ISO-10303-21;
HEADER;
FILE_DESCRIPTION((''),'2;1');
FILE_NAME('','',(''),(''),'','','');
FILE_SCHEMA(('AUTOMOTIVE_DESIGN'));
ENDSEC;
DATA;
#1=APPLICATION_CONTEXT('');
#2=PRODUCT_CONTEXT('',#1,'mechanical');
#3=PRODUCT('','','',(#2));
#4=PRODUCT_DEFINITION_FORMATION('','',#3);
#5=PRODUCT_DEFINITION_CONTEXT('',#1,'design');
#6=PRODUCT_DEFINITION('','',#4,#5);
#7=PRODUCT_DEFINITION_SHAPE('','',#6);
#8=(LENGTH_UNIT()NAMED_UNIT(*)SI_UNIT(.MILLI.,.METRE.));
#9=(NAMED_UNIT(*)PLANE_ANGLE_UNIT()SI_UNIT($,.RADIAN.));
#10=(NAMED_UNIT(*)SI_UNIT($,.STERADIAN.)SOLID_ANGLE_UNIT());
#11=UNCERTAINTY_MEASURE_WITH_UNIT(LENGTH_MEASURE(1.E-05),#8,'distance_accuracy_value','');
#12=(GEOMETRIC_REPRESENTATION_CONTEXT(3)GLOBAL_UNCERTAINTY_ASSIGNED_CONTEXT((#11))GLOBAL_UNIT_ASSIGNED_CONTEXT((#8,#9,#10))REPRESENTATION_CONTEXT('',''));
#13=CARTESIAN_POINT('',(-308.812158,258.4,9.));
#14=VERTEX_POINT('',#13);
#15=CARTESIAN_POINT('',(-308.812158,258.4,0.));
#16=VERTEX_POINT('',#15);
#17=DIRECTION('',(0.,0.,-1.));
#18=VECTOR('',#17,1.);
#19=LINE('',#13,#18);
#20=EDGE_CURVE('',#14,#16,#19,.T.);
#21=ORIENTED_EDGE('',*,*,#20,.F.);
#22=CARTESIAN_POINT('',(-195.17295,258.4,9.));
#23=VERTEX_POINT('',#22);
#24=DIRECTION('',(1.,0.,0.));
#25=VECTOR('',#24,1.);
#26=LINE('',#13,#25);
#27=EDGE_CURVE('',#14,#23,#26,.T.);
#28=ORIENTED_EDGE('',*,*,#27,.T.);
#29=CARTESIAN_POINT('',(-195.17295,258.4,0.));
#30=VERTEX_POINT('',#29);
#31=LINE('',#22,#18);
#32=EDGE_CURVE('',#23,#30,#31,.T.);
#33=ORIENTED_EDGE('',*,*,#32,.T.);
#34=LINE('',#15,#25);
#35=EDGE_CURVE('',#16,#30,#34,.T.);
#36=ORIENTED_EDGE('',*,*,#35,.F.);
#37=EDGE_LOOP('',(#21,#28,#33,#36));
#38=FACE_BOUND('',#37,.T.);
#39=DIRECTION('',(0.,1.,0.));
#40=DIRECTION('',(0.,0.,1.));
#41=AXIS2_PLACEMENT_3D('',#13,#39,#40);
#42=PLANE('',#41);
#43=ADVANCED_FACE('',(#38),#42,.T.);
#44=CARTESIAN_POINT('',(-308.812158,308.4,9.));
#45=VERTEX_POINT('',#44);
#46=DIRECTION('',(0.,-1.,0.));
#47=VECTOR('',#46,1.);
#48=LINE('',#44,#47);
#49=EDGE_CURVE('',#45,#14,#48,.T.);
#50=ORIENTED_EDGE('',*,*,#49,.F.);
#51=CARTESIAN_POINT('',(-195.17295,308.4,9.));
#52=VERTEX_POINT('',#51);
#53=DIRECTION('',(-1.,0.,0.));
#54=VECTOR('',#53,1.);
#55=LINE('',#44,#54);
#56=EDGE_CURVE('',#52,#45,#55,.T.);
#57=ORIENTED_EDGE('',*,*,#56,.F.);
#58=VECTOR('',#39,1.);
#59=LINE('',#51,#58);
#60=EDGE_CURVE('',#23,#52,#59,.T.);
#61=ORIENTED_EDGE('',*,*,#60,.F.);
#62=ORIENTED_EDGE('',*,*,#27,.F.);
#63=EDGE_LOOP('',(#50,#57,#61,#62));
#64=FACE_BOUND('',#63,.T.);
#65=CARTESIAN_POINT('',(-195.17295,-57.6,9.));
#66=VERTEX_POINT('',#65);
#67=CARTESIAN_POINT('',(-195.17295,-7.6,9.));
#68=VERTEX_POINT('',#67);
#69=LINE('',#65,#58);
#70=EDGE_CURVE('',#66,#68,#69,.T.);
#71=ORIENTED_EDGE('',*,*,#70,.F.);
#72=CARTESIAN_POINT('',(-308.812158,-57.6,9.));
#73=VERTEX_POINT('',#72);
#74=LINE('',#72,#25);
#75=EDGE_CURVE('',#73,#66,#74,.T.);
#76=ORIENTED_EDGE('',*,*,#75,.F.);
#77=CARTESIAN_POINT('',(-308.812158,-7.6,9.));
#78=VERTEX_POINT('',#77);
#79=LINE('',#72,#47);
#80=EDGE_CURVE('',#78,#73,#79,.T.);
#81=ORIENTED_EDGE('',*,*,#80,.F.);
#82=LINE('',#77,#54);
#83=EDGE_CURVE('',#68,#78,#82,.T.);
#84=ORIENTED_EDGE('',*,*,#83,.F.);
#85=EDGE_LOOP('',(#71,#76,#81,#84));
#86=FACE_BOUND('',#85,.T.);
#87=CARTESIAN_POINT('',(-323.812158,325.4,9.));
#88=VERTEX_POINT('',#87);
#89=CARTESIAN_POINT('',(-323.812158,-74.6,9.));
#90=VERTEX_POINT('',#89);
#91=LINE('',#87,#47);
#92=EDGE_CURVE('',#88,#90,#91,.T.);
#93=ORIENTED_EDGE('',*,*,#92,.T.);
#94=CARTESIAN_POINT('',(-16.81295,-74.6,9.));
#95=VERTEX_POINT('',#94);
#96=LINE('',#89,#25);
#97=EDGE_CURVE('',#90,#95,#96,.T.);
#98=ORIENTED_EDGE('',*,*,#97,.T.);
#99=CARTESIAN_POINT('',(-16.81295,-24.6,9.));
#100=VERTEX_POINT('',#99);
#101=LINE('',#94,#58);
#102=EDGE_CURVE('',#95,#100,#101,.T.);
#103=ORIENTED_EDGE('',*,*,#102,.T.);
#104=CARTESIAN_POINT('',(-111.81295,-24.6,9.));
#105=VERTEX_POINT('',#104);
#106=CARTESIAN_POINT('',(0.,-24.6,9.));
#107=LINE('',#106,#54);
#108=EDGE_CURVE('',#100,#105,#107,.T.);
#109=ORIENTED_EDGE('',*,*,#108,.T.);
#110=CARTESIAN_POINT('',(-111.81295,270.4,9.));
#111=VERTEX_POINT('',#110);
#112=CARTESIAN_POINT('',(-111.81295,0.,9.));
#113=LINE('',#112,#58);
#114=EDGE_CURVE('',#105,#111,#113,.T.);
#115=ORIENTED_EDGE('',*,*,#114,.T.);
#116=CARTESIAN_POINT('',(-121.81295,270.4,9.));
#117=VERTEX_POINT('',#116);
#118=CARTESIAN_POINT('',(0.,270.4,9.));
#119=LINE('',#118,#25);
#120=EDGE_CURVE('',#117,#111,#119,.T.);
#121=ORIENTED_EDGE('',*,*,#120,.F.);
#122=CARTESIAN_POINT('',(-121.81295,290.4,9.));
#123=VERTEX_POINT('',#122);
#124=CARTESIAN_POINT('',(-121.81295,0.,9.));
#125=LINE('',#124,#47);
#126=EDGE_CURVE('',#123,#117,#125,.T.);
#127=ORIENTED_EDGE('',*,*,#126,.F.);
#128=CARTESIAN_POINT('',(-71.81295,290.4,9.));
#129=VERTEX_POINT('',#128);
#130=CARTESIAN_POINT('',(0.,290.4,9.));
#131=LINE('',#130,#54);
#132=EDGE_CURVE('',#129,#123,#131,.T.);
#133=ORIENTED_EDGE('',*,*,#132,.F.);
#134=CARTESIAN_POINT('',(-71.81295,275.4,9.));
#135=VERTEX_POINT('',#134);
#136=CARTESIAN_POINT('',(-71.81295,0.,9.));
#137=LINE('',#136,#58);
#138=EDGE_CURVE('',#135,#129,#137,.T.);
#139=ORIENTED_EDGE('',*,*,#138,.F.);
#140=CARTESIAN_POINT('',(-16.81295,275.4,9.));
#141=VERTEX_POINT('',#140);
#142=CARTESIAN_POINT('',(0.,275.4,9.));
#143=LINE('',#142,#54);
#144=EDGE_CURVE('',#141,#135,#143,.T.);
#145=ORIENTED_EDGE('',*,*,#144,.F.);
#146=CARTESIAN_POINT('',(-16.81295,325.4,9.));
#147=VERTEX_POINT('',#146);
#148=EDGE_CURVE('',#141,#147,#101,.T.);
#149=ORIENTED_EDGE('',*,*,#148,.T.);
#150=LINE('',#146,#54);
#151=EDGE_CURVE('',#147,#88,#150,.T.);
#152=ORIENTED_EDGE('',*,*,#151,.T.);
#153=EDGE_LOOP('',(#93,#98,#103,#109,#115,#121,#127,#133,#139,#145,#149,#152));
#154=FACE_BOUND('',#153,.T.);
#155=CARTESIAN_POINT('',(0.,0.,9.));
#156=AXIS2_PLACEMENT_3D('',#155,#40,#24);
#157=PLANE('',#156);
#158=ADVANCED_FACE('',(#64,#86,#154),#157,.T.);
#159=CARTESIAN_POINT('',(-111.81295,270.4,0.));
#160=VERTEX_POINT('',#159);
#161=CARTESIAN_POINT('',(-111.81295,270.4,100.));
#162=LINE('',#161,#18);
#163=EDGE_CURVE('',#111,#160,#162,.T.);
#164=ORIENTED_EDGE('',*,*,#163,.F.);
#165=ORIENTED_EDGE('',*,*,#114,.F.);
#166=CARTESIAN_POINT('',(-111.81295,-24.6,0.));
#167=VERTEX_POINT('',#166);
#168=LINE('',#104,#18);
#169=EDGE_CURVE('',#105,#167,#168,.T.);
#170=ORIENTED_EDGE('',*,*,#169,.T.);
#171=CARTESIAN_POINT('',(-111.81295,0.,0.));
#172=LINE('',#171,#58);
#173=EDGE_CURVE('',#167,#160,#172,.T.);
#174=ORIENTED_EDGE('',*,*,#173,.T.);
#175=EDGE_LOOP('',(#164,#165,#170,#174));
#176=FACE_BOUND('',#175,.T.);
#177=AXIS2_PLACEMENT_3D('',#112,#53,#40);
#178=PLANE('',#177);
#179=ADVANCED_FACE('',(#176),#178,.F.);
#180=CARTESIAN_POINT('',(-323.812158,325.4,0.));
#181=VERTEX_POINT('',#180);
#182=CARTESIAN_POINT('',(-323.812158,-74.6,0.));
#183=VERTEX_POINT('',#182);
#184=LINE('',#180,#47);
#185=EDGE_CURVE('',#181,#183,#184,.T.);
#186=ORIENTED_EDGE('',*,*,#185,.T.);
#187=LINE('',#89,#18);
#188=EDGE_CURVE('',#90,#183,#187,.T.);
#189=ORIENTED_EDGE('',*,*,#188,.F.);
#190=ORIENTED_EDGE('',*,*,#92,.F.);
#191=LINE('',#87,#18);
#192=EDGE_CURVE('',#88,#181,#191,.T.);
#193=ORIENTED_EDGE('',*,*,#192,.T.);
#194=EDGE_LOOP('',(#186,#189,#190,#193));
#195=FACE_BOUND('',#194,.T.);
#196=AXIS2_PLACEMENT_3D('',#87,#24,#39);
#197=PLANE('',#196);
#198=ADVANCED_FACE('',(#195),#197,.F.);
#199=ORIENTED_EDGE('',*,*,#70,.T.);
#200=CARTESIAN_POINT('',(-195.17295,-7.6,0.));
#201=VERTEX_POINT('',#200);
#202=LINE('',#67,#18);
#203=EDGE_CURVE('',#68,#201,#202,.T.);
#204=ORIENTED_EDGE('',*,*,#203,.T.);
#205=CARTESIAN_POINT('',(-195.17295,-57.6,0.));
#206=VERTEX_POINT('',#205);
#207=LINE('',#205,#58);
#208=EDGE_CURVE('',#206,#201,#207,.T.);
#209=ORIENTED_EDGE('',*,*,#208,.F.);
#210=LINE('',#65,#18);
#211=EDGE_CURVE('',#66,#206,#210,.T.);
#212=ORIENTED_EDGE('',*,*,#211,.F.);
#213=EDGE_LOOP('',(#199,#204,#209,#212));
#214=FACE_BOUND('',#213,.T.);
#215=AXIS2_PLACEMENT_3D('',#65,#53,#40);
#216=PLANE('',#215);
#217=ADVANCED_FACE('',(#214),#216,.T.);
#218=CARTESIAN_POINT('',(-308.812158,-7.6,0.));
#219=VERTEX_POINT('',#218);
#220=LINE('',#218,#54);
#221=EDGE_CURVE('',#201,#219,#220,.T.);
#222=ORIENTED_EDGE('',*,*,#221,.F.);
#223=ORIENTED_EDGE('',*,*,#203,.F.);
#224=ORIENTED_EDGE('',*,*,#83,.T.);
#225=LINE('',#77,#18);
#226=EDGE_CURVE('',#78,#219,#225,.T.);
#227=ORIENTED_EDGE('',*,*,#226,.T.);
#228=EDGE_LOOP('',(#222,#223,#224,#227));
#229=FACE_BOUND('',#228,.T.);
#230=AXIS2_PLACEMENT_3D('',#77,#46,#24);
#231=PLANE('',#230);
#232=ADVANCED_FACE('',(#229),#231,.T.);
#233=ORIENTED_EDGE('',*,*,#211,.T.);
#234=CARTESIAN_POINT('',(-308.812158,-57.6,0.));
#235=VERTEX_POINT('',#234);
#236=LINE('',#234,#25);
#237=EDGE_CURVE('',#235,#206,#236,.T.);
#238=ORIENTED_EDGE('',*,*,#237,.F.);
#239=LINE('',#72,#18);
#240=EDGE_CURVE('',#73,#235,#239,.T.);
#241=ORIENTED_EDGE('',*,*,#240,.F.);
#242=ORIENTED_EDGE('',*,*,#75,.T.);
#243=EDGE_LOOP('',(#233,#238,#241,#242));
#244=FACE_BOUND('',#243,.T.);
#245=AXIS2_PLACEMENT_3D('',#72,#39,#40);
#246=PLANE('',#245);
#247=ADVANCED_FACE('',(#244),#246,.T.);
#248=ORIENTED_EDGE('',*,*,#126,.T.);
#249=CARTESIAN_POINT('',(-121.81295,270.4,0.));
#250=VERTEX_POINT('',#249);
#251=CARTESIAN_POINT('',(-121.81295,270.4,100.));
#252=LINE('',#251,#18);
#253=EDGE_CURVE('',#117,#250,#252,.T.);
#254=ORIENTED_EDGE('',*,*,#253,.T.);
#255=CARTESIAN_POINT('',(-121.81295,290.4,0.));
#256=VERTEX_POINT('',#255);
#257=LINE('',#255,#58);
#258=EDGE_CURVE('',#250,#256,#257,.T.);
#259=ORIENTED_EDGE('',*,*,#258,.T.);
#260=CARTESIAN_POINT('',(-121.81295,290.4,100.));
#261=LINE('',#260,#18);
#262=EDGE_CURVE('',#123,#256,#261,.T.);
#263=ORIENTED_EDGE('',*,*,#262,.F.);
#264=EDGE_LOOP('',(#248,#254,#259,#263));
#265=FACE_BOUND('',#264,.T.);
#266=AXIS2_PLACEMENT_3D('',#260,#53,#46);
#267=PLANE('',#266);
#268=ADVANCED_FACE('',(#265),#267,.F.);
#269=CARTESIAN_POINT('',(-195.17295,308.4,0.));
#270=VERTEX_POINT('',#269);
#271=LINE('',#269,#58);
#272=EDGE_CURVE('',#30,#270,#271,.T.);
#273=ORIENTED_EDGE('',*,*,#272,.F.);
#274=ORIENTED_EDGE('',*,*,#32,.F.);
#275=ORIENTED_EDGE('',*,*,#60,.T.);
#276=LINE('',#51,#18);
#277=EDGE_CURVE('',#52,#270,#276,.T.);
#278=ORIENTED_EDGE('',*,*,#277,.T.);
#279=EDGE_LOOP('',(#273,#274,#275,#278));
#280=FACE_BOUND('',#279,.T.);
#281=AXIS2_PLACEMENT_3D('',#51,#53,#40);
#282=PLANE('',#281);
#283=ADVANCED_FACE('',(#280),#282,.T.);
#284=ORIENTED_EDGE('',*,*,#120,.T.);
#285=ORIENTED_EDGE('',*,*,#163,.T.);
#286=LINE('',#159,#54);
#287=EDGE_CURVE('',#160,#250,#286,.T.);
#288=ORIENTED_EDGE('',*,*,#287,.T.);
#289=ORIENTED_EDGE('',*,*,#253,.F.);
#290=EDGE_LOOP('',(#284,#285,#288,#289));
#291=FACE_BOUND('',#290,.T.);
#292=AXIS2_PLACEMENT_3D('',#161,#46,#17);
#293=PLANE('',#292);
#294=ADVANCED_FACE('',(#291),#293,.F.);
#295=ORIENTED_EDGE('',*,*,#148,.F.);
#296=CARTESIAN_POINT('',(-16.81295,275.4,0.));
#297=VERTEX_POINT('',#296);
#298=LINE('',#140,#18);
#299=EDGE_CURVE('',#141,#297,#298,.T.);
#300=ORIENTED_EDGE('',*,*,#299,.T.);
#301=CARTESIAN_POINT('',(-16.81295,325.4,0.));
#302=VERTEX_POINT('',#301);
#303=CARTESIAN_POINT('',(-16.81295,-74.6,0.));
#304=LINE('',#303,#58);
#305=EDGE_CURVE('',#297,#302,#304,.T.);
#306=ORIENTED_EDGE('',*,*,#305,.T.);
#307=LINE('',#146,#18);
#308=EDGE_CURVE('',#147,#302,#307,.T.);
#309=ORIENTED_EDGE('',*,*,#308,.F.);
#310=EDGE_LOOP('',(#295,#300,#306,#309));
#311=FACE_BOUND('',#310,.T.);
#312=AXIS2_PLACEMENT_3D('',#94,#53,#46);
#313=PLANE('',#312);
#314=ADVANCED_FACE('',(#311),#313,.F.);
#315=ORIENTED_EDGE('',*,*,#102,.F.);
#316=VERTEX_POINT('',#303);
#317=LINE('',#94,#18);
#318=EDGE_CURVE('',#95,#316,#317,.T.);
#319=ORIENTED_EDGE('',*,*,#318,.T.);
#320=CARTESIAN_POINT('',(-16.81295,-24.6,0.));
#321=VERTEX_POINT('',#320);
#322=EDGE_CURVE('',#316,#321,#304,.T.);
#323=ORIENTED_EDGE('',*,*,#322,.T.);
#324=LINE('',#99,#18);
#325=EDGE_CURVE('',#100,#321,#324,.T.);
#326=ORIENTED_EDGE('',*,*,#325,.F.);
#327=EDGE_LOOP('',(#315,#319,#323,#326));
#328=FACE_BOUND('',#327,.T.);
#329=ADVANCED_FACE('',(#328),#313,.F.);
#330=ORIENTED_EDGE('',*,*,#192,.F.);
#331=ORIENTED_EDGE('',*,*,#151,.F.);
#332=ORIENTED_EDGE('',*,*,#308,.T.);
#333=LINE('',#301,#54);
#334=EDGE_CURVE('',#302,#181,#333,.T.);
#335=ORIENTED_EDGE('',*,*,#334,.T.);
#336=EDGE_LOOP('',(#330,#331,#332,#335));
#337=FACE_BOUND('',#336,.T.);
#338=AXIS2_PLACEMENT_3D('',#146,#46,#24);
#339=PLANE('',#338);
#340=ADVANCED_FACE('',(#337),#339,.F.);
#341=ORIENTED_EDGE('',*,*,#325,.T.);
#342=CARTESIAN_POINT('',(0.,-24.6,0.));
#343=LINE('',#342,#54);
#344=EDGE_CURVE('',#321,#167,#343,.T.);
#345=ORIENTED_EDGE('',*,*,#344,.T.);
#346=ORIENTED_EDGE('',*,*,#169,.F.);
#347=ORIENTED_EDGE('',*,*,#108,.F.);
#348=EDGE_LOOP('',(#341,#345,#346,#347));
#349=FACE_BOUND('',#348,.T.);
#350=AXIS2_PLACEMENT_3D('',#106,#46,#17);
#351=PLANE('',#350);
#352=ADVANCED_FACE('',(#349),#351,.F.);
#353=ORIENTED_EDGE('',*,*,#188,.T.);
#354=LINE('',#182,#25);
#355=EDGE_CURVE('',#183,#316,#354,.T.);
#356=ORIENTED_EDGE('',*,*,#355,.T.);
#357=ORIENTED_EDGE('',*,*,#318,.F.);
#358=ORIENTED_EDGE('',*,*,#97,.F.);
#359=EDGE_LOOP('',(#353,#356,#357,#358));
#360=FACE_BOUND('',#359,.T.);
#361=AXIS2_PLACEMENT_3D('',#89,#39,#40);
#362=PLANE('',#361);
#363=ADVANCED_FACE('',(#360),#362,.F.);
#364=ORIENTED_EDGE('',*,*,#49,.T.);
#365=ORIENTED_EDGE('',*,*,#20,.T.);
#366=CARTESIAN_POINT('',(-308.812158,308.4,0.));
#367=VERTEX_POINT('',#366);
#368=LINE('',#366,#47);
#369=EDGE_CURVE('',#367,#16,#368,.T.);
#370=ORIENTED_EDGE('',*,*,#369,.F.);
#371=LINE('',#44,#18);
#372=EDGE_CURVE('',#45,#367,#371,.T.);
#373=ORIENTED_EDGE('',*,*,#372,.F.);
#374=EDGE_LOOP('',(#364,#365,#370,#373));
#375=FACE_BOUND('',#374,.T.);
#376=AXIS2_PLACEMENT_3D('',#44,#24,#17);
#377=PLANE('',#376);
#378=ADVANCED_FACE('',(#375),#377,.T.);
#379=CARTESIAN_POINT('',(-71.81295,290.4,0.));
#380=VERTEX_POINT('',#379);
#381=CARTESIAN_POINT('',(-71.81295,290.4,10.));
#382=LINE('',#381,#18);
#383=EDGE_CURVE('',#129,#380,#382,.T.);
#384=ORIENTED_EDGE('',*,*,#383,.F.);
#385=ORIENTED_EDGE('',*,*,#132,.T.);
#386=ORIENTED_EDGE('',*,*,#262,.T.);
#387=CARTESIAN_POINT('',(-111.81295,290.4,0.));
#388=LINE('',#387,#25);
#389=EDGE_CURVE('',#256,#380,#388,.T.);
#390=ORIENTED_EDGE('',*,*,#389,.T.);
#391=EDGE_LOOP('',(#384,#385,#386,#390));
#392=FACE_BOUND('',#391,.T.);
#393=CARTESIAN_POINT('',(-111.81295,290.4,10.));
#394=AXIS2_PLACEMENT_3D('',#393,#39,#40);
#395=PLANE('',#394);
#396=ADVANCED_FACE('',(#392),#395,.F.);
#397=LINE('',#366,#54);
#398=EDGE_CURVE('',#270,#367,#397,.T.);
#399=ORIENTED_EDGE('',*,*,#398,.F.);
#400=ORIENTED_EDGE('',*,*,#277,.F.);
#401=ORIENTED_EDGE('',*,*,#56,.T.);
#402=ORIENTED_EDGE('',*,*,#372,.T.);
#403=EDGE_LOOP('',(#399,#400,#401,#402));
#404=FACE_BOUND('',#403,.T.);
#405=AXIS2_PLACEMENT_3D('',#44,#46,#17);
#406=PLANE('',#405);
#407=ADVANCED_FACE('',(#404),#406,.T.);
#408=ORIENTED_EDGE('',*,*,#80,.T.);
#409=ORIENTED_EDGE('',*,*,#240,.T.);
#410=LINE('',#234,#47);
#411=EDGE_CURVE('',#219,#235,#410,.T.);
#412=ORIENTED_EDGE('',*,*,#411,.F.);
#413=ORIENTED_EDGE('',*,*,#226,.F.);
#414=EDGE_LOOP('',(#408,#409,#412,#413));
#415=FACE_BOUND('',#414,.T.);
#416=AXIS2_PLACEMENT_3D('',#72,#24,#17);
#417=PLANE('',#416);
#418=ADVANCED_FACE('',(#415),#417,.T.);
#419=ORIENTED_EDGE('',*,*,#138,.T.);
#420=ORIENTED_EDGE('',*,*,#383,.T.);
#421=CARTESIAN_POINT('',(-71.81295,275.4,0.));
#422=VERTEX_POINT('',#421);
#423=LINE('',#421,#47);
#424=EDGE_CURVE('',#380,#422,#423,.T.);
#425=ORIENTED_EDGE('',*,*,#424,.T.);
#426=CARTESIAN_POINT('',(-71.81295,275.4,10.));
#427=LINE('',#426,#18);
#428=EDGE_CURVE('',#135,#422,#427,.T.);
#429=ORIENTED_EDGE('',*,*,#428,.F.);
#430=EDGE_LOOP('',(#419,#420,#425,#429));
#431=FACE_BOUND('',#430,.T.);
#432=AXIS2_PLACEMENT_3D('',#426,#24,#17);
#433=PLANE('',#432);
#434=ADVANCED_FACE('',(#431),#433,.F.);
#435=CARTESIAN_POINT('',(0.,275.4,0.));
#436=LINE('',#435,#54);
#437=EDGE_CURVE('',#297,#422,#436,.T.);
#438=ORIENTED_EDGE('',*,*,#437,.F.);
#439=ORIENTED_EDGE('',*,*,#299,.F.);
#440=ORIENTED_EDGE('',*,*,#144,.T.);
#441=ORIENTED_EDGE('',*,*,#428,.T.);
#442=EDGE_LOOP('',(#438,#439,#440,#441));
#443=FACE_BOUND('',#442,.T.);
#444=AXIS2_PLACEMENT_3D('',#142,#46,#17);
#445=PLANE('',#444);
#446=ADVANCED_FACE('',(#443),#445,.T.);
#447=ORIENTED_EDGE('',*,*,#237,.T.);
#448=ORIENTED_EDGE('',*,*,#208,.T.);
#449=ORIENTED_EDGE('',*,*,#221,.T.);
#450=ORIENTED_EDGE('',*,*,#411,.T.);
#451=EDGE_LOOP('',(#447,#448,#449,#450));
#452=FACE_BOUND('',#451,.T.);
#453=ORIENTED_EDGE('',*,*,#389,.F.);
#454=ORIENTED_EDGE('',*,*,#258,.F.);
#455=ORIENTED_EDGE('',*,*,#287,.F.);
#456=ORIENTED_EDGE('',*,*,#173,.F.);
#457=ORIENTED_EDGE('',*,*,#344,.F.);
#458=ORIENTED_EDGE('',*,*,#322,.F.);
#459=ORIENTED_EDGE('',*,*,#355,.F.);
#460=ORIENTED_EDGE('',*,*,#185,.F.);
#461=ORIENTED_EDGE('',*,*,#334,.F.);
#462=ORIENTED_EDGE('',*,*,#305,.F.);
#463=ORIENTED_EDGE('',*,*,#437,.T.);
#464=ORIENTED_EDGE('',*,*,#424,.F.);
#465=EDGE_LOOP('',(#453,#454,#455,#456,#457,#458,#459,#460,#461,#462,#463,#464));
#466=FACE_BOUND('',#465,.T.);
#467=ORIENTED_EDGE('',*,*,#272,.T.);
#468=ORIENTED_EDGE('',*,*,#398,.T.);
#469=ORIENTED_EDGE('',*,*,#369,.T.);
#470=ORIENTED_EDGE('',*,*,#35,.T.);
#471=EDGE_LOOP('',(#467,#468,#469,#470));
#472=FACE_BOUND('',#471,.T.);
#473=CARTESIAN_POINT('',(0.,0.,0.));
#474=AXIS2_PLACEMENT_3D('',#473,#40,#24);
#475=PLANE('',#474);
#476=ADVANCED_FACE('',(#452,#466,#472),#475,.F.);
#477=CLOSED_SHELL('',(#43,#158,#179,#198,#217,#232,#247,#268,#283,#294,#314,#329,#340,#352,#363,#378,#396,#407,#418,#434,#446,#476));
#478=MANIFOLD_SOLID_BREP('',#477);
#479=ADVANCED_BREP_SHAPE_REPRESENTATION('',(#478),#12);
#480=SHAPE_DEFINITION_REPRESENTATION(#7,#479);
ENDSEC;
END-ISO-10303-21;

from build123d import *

# Parameters (mm, degrees)
SKETCH1_W           = 306.999208532
SKETCH1_H           = 400
SKETCH1_W_2         = 113.639208532
SKETCH1_H_2         = 50
BOSS_EXTRUDE1_DEPTH = 9
SKETCH2_W           = 95
SKETCH2_H           = 300
CUT_EXTRUDE1_DEPTH  = 460.151907085
SKETCH3_W           = 40
SKETCH3_H           = 15
CUT_EXTRUDE2_DEPTH  = 10
SKETCH4_W           = 10
SKETCH4_H           = 20
CUT_EXTRUDE3_DEPTH  = 100


with BuildPart() as part:
    # Sketch1 → Boss-Extrude1 (new body)
    with BuildSketch(Plane.XY):
        with Locations((-170.312553906, 125.4)):
            Rectangle(SKETCH1_W, SKETCH1_H)
        with Locations((-251.992553906, 283.4)):
            Rectangle(SKETCH1_W_2, SKETCH1_H_2, mode=Mode.SUBTRACT)
        with Locations((-251.992553906, -32.6)):
            Rectangle(SKETCH1_W_2, SKETCH1_H_2, mode=Mode.SUBTRACT)
    extrude(amount=BOSS_EXTRUDE1_DEPTH)

    # Sketch2 → Cut-Extrude1 (cut, through all)
    with BuildSketch(Plane(origin=(0, 0, 0), x_dir=(-1, 0, 0), z_dir=(0, 0, -1))):
        with Locations((64.31294964, 125.4)):
            Rectangle(SKETCH2_W, SKETCH2_H)
    extrude(amount=-CUT_EXTRUDE1_DEPTH, mode=Mode.SUBTRACT)

    # Sketch3 → Cut-Extrude2 (cut)
    with BuildSketch(Plane(origin=(0, 0, 0), x_dir=(-1, 0, 0), z_dir=(0, 0, -1))):
        with Locations((91.81294964, 282.9)):
            Rectangle(SKETCH3_W, SKETCH3_H)
    extrude(amount=-CUT_EXTRUDE2_DEPTH, mode=Mode.SUBTRACT)

    # Sketch4 → Cut-Extrude3 (cut)
    with BuildSketch(Plane(origin=(0, 0, 0), x_dir=(-1, 0, 0), z_dir=(0, 0, -1))):
        with Locations((116.81294964, 280.4)):
            Rectangle(SKETCH4_W, SKETCH4_H)
    extrude(amount=-CUT_EXTRUDE3_DEPTH, mode=Mode.SUBTRACT)


solid = part.part
